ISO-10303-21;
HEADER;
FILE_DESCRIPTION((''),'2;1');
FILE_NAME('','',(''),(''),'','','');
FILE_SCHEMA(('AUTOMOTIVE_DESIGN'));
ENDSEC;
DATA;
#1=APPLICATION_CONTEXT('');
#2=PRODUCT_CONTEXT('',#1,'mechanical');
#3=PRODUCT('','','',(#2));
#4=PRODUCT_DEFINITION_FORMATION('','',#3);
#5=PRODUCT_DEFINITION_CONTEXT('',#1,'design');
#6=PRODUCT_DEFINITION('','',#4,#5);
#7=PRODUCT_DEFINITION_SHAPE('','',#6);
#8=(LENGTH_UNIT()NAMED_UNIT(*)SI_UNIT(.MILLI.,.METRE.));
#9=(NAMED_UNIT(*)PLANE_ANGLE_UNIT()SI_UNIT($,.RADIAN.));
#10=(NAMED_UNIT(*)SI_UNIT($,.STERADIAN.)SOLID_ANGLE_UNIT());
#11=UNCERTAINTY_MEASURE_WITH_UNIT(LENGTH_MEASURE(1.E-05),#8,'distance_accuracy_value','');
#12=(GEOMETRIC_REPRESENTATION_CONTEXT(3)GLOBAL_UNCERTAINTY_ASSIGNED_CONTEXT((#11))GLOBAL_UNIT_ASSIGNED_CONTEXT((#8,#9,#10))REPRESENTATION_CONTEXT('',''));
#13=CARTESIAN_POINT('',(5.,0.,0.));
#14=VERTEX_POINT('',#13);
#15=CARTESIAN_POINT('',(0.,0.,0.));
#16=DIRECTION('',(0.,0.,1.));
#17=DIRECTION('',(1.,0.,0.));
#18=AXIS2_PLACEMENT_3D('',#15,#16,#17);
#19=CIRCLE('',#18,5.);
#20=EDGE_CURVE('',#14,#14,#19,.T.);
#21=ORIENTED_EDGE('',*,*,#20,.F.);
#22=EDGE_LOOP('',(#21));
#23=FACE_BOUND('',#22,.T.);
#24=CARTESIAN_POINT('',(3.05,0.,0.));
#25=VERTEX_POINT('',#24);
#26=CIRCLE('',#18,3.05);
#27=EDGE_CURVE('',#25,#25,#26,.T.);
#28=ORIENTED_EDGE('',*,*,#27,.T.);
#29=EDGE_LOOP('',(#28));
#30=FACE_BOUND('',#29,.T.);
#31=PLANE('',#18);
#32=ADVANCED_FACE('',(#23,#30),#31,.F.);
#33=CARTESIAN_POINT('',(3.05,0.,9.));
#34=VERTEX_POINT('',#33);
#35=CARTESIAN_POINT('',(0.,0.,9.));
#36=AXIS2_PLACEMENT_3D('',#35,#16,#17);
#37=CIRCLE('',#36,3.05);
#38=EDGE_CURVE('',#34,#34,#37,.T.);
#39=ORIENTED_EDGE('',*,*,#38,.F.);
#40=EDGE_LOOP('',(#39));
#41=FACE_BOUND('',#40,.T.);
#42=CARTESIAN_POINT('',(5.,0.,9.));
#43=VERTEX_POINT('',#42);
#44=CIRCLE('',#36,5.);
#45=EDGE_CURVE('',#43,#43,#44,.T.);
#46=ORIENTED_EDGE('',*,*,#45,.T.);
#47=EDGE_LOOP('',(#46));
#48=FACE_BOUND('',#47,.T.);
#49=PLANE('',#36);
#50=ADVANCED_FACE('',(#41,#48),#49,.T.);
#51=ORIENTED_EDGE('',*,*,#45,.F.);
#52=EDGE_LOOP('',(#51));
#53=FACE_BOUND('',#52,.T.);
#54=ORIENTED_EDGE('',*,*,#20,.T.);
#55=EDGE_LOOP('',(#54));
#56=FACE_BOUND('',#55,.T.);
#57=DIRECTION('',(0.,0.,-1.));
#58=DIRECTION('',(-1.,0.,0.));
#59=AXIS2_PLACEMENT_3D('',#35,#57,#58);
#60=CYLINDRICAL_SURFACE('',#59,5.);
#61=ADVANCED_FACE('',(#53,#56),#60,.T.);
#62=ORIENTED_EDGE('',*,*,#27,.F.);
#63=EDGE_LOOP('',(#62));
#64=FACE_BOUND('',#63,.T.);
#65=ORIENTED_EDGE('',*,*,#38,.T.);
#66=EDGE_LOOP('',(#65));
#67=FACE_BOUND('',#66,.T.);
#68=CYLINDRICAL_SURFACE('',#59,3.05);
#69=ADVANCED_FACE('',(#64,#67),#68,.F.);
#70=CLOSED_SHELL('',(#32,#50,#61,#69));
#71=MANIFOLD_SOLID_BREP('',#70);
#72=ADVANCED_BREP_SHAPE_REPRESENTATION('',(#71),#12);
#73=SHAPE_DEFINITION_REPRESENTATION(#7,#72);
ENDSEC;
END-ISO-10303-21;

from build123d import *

# Parameters (mm, degrees)
SKETCH_1_R      = 5
SKETCH_1_R_2    = 3.05
EXTRUDE_1_DEPTH = 9


with BuildPart() as part:
    # ｽｹｯﾁ1 → ﾎﾞｽ - 押し出し1 (new body)
    with BuildSketch(Plane.XY):
        Circle(SKETCH_1_R)
        Circle(SKETCH_1_R_2, mode=Mode.SUBTRACT)
    extrude(amount=EXTRUDE_1_DEPTH)


solid = part.part
